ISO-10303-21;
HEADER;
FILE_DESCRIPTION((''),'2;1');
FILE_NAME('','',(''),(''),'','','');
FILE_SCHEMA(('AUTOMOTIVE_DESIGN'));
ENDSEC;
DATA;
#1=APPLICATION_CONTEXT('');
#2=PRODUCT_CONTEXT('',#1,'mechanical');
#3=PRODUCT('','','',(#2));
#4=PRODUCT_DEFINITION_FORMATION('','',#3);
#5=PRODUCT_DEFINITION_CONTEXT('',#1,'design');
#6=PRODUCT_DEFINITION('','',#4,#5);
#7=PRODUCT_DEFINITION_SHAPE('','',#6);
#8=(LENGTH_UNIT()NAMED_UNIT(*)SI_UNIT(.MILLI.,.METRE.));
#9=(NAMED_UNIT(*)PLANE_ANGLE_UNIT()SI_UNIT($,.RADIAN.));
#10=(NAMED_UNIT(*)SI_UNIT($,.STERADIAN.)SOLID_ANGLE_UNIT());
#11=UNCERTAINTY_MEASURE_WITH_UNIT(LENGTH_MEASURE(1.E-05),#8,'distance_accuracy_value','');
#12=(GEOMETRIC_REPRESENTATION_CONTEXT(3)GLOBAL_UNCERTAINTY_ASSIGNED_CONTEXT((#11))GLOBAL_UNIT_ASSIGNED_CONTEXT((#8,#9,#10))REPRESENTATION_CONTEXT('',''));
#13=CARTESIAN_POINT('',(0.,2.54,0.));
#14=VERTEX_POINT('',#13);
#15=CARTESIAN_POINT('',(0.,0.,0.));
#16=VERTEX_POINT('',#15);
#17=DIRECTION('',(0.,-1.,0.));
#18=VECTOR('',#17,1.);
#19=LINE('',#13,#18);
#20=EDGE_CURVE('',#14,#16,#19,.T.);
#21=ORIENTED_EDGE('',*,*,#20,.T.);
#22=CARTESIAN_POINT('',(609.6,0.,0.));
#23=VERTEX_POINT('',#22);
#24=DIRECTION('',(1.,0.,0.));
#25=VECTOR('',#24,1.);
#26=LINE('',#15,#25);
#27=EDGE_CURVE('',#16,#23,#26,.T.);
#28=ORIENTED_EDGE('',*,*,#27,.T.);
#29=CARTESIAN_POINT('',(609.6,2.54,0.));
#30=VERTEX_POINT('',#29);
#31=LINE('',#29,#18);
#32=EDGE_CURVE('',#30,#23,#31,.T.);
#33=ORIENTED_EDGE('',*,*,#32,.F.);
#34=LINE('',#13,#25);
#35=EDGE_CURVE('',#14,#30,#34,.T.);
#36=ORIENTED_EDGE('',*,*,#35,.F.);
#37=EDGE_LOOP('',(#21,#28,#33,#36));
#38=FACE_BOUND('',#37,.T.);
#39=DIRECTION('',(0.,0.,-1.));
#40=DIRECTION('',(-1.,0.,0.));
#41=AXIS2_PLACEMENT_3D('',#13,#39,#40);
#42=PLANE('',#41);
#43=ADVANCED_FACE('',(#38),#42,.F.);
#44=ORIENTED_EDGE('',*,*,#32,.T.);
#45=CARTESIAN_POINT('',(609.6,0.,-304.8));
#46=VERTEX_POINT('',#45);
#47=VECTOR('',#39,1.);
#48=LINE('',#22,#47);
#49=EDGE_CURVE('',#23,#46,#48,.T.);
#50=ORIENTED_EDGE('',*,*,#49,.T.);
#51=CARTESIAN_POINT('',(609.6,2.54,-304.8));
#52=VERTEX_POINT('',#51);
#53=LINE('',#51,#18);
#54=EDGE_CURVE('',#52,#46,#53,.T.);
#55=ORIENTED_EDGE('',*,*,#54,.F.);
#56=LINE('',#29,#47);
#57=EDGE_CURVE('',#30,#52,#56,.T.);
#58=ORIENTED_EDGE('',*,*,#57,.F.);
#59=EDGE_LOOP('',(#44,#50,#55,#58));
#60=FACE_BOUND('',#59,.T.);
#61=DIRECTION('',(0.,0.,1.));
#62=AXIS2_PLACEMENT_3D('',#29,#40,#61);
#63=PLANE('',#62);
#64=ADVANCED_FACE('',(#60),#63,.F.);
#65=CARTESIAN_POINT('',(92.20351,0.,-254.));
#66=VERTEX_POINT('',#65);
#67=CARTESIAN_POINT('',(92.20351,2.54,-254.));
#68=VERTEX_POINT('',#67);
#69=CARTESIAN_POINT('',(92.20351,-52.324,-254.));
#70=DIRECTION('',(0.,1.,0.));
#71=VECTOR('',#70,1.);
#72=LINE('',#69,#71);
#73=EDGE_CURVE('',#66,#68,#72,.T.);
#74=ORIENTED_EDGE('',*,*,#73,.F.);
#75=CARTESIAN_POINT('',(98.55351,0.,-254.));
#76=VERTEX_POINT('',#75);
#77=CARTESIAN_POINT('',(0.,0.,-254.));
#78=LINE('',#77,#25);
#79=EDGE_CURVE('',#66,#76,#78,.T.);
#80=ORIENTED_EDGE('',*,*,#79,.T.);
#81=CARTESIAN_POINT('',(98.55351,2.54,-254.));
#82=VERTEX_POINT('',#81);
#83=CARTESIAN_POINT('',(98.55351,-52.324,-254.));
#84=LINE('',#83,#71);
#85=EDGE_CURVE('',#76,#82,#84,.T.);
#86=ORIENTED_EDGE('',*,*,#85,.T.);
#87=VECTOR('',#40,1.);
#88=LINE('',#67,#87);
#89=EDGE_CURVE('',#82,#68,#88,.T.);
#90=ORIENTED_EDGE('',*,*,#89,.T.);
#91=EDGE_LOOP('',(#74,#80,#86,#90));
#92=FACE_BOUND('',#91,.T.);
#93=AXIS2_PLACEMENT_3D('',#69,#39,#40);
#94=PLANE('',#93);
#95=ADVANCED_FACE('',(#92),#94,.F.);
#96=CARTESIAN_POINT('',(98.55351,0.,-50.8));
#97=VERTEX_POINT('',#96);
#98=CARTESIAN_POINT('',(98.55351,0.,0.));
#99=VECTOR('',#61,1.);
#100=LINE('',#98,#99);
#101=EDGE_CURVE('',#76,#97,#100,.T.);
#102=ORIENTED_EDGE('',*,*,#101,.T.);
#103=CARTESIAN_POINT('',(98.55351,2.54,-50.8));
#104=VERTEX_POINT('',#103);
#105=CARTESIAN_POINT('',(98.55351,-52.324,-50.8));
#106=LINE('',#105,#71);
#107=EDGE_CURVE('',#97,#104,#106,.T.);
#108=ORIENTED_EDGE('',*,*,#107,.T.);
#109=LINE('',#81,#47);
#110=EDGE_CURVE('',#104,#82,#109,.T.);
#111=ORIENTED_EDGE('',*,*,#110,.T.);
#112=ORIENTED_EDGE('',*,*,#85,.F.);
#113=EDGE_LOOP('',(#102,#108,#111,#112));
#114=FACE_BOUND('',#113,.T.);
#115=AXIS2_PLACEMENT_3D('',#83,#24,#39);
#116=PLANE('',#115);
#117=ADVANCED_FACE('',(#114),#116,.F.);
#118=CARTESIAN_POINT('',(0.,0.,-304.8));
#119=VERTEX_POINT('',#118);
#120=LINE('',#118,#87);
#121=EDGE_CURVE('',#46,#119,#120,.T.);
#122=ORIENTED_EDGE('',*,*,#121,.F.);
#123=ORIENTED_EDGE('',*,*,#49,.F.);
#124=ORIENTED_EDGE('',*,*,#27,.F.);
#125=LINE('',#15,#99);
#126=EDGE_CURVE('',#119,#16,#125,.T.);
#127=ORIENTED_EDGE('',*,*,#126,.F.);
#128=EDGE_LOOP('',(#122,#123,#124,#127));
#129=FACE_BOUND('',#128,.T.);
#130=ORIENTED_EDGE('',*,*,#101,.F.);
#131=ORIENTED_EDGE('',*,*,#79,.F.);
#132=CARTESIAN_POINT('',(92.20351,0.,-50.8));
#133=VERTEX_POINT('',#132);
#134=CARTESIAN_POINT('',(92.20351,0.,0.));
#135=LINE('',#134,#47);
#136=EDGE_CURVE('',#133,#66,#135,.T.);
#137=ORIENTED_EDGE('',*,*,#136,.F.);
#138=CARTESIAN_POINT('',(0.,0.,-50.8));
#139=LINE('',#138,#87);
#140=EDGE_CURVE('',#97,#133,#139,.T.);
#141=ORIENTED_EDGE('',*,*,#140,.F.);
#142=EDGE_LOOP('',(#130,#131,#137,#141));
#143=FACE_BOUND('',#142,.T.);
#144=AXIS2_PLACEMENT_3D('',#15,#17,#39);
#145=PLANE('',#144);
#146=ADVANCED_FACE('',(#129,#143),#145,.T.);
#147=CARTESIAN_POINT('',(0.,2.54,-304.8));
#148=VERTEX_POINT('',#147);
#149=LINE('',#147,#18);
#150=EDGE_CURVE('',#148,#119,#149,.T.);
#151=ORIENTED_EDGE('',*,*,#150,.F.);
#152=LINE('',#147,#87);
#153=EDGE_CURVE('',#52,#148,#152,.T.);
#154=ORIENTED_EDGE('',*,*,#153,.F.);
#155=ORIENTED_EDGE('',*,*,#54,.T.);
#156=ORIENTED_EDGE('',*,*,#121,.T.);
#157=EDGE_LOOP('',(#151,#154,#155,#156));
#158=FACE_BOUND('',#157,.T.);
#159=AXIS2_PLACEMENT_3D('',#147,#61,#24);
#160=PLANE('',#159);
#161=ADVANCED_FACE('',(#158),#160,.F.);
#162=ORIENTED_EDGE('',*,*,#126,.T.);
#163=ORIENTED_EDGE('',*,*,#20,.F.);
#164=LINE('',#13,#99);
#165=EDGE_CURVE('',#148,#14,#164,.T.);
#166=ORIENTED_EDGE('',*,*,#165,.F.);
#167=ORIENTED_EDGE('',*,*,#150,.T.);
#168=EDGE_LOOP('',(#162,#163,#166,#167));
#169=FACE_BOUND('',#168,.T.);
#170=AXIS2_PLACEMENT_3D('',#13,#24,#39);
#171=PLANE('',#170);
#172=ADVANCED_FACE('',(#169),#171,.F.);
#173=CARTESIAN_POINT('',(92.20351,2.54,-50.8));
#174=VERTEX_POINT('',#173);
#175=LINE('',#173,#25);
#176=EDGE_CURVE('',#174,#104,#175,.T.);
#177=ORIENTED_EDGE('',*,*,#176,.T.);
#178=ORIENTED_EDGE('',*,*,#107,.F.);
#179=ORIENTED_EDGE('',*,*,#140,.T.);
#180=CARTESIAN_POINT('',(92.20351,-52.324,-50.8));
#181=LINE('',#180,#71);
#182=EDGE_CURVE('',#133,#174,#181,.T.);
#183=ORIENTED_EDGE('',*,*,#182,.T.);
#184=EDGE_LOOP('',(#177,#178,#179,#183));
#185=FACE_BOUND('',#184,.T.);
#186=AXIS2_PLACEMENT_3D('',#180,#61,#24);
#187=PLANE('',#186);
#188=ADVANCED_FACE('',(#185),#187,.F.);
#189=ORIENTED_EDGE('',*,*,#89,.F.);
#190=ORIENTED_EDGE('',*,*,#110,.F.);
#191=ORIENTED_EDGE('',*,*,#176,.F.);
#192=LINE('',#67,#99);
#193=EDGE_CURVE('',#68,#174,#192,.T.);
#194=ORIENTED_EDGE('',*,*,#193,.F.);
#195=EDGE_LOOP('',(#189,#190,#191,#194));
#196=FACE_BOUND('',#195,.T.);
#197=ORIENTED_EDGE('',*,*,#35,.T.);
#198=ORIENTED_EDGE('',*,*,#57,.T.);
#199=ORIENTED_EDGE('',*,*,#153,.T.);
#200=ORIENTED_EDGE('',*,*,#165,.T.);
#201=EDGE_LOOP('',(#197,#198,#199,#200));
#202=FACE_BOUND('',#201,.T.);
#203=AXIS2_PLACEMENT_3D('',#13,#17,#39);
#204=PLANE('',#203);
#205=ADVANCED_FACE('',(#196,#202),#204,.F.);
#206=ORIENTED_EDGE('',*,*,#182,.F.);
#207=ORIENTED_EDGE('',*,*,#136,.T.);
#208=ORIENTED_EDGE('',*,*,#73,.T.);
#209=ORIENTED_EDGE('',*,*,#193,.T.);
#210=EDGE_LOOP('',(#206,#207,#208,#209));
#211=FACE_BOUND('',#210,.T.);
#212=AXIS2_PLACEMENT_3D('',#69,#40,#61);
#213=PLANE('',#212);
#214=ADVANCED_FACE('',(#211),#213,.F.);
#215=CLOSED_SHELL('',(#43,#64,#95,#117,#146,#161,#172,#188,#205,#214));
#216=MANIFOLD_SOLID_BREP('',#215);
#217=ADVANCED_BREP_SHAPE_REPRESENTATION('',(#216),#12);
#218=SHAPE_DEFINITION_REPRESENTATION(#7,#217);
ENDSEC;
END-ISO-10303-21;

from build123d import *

# Parameters (mm, degrees)
SKETCH1_W           = 609.6
SKETCH1_H           = 304.8
BOSS_EXTRUDE1_DEPTH = 2.54
SKETCH2_W           = 6.35
SKETCH2_H           = 203.2
CUT_EXTRUDE1_DEPTH  = 54.864


with BuildPart() as part:
    # Sketch1 → Boss-Extrude1 (new body)
    with BuildSketch(Plane(origin=(0, 0, 0), x_dir=(1, 0, 0), z_dir=(0, 1, 0))):
        with Locations((304.8, 152.4)):
            Rectangle(SKETCH1_W, SKETCH1_H)
    extrude(amount=BOSS_EXTRUDE1_DEPTH)

    # Sketch2 → Cut-Extrude1 (cut)
    with BuildSketch(Plane(origin=(0, 2.54, 0), x_dir=(1, 0, 0), z_dir=(0, 1, 0))):
        with Locations((95.378510318, 152.4)):
            Rectangle(SKETCH2_W, SKETCH2_H)
    extrude(amount=-CUT_EXTRUDE1_DEPTH, mode=Mode.SUBTRACT)


solid = part.part
